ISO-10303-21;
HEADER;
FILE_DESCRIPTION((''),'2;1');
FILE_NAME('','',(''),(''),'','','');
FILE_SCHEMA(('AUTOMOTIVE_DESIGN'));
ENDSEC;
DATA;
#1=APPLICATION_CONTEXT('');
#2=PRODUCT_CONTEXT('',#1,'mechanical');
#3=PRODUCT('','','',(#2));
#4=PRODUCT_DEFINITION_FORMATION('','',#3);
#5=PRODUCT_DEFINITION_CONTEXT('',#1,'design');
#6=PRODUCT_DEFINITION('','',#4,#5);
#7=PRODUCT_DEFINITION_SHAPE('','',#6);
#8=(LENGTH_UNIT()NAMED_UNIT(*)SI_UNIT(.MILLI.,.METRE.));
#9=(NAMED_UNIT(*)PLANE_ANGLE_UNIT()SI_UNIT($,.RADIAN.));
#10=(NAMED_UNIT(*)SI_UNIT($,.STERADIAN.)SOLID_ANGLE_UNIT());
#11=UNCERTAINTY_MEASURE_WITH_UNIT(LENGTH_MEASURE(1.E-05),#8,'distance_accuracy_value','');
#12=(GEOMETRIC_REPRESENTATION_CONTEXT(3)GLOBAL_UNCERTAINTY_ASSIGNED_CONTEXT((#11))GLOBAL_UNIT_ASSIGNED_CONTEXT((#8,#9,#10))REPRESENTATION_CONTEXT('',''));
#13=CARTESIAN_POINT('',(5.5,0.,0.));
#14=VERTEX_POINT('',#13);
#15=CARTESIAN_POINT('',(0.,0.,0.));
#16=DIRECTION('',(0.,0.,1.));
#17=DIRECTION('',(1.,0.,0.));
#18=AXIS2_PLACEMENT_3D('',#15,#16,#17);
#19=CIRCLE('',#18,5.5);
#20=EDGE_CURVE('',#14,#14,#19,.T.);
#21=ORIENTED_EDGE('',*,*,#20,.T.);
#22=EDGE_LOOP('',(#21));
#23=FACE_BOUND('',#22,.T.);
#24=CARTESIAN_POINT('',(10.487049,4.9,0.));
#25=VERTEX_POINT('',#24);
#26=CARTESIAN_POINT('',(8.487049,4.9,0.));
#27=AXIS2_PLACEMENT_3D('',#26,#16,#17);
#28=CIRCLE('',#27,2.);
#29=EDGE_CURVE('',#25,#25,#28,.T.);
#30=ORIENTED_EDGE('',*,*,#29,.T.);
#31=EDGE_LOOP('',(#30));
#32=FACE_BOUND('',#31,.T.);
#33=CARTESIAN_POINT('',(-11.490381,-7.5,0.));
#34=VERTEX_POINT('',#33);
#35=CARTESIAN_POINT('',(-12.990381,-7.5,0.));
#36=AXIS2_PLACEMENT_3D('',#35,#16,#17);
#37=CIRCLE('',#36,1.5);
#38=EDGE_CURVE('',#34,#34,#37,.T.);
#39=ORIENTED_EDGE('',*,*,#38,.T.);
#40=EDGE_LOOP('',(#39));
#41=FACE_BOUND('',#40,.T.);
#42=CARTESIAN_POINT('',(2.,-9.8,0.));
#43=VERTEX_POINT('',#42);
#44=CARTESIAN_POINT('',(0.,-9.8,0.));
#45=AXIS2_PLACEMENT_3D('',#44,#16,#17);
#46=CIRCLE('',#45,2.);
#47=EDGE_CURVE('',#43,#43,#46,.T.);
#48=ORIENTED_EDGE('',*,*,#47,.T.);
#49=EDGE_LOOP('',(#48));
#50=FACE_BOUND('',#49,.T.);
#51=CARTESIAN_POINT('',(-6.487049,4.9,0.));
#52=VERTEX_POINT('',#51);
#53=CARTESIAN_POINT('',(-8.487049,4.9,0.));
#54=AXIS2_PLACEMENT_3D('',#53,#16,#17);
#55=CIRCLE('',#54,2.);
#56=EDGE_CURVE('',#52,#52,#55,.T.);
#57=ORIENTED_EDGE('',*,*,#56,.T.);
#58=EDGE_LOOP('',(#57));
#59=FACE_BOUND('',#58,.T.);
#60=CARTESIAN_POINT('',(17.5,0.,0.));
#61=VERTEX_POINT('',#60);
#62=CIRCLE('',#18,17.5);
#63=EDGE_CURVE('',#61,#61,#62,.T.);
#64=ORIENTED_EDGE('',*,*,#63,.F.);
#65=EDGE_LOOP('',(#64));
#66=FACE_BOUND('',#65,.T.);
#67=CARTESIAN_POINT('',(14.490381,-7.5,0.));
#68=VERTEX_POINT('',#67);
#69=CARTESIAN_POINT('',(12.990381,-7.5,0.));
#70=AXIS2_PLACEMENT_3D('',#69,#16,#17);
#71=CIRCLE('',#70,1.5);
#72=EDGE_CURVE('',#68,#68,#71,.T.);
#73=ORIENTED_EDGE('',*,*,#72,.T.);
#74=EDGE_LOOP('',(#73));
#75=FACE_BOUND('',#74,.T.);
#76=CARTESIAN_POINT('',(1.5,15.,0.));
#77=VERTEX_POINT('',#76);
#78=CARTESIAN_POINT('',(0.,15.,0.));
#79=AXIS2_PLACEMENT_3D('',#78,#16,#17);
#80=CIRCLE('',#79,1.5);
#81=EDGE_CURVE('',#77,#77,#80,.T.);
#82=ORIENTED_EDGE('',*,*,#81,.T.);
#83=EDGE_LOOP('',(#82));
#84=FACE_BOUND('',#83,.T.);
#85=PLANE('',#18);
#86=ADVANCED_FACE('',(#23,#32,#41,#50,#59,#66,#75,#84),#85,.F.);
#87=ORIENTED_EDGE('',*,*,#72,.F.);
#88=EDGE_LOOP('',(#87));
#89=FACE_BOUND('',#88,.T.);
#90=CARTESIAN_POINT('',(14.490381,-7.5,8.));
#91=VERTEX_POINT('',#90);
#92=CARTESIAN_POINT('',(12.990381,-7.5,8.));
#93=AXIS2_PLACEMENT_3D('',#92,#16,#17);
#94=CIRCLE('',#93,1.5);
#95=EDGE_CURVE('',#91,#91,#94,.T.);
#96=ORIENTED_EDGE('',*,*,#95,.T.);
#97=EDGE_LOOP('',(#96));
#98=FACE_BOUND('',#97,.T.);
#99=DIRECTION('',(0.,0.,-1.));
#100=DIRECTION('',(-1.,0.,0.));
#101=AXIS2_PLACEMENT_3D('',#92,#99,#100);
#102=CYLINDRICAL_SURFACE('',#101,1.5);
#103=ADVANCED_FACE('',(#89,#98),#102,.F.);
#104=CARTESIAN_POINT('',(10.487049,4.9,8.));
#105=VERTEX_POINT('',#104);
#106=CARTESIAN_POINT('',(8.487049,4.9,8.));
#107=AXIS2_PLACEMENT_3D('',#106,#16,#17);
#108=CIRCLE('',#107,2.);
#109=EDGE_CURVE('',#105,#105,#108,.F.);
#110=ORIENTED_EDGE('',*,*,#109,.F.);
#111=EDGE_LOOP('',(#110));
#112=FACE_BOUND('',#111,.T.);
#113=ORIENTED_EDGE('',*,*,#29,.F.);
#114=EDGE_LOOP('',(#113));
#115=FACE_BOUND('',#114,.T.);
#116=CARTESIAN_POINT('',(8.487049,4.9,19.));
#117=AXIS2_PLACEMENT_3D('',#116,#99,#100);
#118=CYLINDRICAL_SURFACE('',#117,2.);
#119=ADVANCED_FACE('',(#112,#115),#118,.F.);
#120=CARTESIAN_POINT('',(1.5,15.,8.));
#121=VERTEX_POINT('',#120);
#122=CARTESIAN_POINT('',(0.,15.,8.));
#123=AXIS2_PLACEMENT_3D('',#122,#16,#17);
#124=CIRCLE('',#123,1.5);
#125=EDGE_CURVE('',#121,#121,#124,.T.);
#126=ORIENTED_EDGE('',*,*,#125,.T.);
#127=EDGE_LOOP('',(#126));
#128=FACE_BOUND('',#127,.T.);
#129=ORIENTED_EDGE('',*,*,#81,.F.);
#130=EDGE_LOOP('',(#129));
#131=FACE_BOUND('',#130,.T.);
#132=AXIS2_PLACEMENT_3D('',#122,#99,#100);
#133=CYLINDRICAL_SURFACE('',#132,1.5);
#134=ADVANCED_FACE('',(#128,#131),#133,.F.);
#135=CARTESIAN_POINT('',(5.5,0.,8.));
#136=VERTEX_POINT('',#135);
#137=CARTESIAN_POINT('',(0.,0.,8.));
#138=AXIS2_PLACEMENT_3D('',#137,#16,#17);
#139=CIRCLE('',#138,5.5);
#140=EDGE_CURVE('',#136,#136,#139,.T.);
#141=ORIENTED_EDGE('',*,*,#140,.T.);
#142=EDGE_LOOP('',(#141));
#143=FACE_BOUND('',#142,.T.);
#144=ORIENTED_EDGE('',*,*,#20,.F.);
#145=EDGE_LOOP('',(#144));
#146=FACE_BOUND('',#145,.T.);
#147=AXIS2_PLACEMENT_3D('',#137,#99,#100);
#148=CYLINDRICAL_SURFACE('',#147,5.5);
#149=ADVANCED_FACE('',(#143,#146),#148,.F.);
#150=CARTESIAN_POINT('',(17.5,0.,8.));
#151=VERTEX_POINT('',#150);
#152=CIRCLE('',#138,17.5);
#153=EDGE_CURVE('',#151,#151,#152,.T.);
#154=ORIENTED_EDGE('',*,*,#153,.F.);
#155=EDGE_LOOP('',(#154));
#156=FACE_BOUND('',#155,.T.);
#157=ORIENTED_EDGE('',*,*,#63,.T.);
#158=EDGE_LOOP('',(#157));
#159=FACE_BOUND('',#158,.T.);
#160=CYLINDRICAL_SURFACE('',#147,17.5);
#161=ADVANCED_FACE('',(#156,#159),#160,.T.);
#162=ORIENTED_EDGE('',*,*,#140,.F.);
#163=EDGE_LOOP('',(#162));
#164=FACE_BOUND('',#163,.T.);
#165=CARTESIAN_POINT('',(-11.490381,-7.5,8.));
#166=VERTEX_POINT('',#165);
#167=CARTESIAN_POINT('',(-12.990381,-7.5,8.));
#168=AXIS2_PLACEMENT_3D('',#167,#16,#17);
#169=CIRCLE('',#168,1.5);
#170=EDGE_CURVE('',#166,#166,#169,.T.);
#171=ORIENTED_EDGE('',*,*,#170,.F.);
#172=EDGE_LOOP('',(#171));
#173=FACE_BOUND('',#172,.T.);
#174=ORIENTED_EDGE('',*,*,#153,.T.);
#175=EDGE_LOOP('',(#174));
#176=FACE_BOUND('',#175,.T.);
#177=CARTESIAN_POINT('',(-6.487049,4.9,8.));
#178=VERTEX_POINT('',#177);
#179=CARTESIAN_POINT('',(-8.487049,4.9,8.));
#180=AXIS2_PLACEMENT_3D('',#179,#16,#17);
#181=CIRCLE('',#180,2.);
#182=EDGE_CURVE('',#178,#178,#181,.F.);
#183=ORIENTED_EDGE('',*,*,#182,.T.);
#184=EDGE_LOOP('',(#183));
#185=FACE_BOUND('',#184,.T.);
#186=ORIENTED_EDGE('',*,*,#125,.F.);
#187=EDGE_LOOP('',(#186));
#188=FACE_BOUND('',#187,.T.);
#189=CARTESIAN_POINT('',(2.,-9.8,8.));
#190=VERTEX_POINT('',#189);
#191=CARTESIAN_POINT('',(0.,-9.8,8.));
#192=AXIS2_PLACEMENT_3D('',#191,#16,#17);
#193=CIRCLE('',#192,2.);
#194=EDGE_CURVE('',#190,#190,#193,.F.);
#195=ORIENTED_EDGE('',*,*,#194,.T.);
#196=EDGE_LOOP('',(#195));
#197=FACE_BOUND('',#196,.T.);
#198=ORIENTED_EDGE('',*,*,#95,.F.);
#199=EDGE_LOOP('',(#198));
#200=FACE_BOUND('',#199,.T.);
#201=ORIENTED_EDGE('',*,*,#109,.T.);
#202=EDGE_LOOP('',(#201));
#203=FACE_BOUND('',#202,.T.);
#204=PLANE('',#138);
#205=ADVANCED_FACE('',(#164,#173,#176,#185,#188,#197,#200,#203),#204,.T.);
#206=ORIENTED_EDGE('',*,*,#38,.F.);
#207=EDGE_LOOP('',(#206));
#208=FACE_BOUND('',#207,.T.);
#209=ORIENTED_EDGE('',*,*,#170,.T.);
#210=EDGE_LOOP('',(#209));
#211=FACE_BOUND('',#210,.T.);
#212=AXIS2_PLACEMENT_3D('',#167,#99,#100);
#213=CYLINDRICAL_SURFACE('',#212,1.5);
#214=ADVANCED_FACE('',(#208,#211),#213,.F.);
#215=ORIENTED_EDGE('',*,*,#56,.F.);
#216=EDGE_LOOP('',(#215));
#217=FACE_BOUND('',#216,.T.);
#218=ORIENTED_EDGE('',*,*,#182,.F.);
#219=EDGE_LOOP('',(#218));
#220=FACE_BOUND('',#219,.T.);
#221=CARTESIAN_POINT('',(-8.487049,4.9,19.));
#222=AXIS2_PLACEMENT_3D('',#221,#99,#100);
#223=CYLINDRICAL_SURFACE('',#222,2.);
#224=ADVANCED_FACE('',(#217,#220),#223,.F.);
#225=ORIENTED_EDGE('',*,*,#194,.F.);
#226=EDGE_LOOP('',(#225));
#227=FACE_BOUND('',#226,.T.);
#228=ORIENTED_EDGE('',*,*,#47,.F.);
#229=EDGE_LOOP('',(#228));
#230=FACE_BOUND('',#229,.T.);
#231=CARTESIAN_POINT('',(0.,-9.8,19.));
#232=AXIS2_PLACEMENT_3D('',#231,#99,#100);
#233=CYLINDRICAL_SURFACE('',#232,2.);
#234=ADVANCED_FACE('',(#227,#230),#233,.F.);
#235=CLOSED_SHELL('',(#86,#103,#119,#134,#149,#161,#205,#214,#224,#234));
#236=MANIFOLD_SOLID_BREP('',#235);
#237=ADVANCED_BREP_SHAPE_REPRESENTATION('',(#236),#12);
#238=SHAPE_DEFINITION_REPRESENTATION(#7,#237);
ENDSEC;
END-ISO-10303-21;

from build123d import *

# Parameters (mm, degrees)
SKETCH_1_R          = 17.5
SKETCH_1_R_2        = 1.5
SKETCH_1_R_3        = 5.5
EXTRUDE_1_DEPTH     = 8
SKETCH_2_R          = 2
CUT_EXTRUDE_1_DEPTH = 19


with BuildPart() as part:
    # 草图1 → 凸台-拉伸1 (new body)
    with BuildSketch(Plane.XY):
        Circle(SKETCH_1_R)
        with Locations((0, 15)):
            Circle(SKETCH_1_R_2, mode=Mode.SUBTRACT)
        with Locations((12.990381057, -7.5)):
            Circle(SKETCH_1_R_2, mode=Mode.SUBTRACT)
        with Locations((-12.990381057, -7.5)):
            Circle(SKETCH_1_R_2, mode=Mode.SUBTRACT)
        Circle(SKETCH_1_R_3, mode=Mode.SUBTRACT)
    extrude(amount=EXTRUDE_1_DEPTH)

    # 草图2 → 切除-拉伸1 (cut)
    with BuildSketch(Plane.XY):
        with Locations((-8.487048957, 4.9)):
            Circle(SKETCH_2_R)
        with Locations((8.487048957, 4.9)):
            Circle(SKETCH_2_R)
        with Locations((0, -9.8)):
            Circle(SKETCH_2_R)
    extrude(amount=CUT_EXTRUDE_1_DEPTH, mode=Mode.SUBTRACT)


solid = part.part
